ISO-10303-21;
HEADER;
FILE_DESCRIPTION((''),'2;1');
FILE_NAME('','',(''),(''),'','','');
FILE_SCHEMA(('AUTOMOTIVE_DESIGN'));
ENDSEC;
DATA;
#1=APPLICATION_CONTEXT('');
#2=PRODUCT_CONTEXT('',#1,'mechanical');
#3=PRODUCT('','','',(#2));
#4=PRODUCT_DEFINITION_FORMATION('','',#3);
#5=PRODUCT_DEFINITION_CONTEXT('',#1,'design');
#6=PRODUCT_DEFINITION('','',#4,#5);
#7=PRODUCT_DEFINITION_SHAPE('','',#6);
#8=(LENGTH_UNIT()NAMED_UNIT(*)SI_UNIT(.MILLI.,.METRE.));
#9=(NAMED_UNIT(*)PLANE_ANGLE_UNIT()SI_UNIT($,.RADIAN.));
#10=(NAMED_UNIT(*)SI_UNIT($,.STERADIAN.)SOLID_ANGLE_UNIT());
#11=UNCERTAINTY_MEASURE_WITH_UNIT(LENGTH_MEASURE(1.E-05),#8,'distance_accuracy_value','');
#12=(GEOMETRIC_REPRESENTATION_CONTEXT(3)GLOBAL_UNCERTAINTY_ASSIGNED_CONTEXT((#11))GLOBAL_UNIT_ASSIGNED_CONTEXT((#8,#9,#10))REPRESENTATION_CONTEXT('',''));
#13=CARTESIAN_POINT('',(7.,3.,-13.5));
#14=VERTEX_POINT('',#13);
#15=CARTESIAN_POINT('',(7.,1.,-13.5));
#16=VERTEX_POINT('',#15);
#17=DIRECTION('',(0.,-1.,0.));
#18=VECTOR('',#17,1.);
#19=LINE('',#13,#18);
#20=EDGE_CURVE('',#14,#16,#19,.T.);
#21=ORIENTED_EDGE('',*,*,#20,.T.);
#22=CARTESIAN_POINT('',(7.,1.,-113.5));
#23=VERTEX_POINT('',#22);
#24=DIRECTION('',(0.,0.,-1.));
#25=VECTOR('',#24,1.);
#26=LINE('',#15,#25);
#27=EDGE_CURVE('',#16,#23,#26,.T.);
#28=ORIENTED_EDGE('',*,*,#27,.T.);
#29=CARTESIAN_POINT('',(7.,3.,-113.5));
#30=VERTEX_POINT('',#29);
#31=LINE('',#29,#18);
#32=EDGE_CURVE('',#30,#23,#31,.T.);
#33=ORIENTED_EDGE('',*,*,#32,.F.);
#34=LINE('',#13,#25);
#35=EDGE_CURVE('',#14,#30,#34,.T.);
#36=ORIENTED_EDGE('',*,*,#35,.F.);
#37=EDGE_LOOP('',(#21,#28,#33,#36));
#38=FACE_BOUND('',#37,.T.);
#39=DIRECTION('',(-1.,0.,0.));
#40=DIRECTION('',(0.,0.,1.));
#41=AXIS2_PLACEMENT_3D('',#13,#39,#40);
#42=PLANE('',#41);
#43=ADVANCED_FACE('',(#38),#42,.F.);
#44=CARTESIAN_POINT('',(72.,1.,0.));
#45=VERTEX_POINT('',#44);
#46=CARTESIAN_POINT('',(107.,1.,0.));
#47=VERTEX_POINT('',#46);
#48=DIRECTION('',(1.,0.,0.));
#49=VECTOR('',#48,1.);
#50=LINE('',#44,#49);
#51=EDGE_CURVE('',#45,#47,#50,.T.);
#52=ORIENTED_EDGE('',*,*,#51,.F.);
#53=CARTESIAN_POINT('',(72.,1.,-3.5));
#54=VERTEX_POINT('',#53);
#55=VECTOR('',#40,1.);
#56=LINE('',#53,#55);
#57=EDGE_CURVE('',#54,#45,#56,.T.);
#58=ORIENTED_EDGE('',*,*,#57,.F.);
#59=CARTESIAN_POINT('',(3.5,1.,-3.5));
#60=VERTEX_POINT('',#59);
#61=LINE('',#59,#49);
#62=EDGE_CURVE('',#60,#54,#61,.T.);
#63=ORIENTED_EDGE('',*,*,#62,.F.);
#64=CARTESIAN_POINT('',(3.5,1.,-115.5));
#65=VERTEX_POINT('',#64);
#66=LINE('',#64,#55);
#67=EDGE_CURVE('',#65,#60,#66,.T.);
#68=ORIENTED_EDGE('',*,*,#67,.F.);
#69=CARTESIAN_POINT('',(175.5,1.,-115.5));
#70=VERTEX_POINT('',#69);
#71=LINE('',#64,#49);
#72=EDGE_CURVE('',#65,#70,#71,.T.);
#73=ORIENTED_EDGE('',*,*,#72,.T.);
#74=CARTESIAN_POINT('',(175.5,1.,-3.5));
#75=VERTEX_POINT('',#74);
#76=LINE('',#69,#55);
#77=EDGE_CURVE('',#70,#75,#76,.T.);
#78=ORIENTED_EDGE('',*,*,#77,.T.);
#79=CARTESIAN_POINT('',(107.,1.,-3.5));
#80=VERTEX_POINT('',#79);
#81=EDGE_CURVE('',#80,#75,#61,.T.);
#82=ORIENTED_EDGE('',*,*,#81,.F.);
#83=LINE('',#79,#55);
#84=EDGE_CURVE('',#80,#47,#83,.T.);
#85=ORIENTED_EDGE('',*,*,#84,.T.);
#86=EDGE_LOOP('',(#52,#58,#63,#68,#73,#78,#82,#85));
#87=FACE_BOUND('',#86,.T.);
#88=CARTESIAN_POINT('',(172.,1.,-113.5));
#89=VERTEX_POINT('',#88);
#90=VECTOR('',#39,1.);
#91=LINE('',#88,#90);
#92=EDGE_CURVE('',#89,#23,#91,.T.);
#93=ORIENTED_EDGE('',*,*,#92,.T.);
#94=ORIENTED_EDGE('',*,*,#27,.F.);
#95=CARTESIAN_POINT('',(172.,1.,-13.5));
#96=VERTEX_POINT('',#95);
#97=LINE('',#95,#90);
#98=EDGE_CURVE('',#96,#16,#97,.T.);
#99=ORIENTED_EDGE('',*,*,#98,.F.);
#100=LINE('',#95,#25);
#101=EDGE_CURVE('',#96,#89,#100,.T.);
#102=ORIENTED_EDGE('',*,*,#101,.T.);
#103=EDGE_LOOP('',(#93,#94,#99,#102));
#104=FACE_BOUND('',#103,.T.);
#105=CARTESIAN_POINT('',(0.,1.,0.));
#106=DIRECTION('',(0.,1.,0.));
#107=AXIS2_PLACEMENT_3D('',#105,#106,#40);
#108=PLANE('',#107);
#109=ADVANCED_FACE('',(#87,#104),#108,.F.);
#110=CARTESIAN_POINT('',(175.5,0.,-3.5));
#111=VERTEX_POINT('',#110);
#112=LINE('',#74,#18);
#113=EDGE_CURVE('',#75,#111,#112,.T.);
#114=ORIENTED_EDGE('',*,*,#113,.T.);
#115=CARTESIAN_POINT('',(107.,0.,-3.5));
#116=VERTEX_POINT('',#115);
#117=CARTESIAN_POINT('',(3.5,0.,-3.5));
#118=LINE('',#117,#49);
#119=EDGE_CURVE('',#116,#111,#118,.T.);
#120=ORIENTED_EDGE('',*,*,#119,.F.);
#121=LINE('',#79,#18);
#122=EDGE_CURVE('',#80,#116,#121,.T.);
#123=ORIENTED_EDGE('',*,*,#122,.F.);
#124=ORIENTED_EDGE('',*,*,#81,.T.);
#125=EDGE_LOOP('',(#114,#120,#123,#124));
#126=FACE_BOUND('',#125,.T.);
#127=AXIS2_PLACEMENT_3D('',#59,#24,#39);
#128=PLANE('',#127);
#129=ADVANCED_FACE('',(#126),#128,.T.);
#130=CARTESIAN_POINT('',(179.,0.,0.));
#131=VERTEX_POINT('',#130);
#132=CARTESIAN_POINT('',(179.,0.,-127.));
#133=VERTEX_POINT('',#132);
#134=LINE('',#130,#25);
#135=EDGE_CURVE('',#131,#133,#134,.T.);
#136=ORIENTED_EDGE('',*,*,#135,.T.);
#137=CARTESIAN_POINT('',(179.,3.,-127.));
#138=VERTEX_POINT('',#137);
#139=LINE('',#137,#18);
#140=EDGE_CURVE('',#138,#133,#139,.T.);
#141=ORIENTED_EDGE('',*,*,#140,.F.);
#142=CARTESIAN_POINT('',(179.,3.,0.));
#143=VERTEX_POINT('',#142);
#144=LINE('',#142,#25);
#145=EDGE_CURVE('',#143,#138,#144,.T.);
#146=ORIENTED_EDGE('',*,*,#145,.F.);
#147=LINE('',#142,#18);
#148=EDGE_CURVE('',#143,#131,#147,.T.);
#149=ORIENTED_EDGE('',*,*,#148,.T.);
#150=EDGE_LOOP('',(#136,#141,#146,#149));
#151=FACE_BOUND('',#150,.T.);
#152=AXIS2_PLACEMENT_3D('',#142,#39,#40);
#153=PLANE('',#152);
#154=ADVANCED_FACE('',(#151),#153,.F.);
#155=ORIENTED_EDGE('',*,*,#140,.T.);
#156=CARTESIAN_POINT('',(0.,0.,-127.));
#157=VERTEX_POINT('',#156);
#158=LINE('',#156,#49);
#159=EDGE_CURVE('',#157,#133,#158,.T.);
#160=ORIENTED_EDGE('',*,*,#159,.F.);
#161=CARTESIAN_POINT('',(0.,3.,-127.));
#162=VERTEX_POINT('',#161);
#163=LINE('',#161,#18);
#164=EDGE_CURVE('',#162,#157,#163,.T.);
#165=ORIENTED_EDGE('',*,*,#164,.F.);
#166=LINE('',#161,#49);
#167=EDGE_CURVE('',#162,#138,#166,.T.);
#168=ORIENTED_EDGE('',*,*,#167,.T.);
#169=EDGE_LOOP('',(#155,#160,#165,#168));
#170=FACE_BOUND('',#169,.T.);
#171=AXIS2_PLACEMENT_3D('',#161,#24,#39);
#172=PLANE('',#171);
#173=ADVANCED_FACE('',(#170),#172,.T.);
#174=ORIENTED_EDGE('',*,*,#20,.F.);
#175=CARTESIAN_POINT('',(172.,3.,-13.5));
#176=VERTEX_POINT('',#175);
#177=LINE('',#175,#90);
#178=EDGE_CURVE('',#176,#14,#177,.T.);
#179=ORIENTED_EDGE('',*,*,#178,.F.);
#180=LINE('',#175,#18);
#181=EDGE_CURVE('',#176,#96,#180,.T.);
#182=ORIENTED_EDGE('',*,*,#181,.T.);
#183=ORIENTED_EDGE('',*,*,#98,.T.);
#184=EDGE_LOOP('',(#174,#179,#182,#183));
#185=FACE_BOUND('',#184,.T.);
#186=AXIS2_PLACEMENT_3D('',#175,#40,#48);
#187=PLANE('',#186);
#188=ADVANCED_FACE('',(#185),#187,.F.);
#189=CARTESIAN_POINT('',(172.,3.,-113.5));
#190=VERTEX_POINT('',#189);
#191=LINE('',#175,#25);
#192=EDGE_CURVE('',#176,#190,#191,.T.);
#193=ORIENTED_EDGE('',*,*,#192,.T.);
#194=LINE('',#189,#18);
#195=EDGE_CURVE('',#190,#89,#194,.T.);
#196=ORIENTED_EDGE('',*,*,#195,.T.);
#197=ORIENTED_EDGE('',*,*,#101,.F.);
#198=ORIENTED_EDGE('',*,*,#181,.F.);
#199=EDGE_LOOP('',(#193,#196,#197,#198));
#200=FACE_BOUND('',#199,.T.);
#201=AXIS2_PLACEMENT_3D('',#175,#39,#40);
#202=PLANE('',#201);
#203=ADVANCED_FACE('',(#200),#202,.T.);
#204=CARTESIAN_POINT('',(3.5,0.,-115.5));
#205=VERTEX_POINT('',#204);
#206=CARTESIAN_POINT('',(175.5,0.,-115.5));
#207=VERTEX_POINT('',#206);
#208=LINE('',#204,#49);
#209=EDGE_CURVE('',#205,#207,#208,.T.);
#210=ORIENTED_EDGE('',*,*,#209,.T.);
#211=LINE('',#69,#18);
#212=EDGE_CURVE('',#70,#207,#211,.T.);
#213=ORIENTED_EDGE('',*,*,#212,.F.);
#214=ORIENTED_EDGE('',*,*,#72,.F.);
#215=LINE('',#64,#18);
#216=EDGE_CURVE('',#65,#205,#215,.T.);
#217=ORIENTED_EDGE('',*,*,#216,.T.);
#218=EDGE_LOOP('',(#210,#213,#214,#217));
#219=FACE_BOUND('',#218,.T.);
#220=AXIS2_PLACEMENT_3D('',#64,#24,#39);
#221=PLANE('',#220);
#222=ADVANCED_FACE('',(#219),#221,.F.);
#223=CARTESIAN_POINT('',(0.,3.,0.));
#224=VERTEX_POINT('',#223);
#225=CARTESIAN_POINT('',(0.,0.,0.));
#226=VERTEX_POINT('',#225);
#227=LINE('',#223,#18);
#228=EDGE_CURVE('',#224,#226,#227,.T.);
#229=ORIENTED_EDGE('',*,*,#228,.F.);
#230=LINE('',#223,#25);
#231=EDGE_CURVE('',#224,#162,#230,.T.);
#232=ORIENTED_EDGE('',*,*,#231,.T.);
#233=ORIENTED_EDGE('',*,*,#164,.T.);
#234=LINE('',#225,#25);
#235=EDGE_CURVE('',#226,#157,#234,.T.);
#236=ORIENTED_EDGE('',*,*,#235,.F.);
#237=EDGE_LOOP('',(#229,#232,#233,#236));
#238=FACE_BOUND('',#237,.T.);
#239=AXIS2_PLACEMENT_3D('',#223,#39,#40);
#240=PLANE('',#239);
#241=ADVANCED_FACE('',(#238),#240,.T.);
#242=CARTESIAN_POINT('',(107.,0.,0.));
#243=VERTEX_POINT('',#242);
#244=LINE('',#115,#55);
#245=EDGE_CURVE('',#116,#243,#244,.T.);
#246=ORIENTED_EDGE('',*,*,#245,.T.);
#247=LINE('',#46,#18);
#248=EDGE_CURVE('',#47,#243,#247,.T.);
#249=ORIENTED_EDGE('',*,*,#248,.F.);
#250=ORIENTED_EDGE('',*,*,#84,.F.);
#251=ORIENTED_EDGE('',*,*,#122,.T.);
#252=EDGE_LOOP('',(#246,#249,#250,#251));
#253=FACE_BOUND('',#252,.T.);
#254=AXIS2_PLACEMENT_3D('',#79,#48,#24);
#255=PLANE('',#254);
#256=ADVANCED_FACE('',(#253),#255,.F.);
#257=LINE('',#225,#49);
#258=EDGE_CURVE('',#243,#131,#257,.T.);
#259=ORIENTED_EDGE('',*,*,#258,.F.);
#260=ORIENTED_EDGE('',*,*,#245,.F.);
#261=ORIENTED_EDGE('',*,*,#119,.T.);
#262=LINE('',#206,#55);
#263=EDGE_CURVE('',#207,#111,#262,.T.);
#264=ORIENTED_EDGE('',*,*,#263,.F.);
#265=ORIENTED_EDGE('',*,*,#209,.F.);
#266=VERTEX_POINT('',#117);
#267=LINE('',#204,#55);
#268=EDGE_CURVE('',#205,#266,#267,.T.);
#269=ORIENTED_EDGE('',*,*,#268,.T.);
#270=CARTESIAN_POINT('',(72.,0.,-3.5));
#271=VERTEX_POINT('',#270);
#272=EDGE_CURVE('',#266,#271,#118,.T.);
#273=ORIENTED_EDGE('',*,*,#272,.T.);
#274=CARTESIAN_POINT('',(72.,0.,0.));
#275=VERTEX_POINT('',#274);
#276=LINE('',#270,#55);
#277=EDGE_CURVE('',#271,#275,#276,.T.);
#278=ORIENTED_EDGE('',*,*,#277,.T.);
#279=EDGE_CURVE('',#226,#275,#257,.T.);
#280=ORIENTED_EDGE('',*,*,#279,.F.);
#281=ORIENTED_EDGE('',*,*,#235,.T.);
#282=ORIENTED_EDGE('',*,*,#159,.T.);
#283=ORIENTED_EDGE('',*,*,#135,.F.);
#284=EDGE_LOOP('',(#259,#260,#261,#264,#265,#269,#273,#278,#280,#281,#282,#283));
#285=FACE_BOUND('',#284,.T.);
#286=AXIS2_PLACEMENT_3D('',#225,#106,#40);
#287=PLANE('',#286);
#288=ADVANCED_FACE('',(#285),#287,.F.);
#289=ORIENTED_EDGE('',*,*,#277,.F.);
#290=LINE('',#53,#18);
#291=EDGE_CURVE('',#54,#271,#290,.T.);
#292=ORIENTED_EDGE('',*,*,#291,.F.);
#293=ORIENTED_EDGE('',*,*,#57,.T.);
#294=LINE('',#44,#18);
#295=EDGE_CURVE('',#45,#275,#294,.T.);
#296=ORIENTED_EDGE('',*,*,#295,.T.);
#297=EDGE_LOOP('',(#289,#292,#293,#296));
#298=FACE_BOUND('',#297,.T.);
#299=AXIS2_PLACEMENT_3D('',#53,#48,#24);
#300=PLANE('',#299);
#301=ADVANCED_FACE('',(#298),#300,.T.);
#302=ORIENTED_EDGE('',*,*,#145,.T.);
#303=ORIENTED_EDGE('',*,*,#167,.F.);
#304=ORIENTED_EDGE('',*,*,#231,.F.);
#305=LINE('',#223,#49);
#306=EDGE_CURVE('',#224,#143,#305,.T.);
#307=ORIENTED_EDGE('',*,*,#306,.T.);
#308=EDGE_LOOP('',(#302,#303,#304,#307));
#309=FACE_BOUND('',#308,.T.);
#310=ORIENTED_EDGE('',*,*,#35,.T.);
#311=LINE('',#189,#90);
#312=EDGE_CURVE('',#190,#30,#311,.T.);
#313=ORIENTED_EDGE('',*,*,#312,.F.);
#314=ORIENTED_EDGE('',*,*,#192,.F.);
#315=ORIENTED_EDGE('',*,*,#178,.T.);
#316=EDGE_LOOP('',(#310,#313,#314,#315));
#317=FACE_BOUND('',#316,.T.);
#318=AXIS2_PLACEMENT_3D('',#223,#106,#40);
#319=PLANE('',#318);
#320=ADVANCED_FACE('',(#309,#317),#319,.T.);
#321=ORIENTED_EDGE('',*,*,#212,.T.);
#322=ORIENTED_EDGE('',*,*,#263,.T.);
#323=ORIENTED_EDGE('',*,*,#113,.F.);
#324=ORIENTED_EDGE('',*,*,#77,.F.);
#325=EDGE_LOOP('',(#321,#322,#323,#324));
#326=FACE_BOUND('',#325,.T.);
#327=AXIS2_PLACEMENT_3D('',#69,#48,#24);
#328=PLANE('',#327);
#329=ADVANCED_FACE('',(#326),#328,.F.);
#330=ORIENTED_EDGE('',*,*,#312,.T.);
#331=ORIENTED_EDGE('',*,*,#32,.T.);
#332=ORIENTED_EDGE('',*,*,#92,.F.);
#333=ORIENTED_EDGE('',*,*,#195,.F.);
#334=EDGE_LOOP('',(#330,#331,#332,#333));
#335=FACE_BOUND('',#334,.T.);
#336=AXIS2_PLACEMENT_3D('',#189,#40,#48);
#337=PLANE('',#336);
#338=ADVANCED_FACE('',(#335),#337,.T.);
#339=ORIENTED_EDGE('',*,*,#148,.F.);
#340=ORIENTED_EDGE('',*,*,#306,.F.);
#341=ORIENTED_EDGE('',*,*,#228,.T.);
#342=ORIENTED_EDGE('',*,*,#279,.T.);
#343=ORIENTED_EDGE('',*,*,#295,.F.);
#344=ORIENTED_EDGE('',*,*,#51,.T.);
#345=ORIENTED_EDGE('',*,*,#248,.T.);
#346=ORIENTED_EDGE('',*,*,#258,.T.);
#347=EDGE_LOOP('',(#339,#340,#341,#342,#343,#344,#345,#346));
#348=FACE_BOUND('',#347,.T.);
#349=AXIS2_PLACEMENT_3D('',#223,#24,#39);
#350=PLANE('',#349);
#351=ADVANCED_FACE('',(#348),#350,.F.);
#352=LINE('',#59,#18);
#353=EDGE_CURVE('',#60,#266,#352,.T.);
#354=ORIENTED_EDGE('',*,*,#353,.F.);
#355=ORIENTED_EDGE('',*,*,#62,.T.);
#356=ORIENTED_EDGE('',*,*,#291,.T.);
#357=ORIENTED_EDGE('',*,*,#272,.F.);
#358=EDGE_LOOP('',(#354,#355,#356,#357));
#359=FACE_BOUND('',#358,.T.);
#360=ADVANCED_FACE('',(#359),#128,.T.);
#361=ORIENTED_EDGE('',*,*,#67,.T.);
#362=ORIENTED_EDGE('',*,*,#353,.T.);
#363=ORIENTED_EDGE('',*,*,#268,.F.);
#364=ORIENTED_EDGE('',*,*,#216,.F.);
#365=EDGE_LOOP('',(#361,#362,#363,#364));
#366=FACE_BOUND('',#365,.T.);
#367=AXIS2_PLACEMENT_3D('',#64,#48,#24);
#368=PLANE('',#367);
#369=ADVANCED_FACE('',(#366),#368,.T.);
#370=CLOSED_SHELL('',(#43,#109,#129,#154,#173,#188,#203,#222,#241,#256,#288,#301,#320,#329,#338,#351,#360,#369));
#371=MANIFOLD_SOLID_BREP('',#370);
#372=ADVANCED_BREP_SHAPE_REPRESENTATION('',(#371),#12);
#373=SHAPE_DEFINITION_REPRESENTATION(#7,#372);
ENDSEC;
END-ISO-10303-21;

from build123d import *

# Parameters (mm, degrees)
SKETCH1_W           = 179
SKETCH1_H           = 127
SKETCH1_W_2         = 165
SKETCH1_H_2         = 100
BOSS_EXTRUDE1_DEPTH = 3
SKETCH1_3_W         = 172
SKETCH1_3_H         = 112
SKETCH1_3_W_2       = 35
SKETCH1_3_H_2       = 3.5
CUT_EXTRUDE1_DEPTH  = 1


with BuildPart() as part:
    # Sketch1 → Boss-Extrude1 (new body)
    with BuildSketch(Plane(origin=(0, 0, 0), x_dir=(1, 0, 0), z_dir=(0, 1, 0))):
        with Locations((89.5, 63.5)):
            Rectangle(SKETCH1_W, SKETCH1_H)
        with Locations((89.5, 63.5)):
            Rectangle(SKETCH1_W_2, SKETCH1_H_2, mode=Mode.SUBTRACT)
    extrude(amount=BOSS_EXTRUDE1_DEPTH)

    # Sketch1<3> → Cut-Extrude1 (cut)
    with BuildSketch(Plane(origin=(0, 0, 0), x_dir=(1, 0, 0), z_dir=(0, 1, 0))):
        with Locations((89.5, 59.5)):
            Rectangle(SKETCH1_3_W, SKETCH1_3_H)
        with Locations((89.5, 1.75)):
            Rectangle(SKETCH1_3_W_2, SKETCH1_3_H_2)
    extrude(amount=CUT_EXTRUDE1_DEPTH, mode=Mode.SUBTRACT)


solid = part.part
